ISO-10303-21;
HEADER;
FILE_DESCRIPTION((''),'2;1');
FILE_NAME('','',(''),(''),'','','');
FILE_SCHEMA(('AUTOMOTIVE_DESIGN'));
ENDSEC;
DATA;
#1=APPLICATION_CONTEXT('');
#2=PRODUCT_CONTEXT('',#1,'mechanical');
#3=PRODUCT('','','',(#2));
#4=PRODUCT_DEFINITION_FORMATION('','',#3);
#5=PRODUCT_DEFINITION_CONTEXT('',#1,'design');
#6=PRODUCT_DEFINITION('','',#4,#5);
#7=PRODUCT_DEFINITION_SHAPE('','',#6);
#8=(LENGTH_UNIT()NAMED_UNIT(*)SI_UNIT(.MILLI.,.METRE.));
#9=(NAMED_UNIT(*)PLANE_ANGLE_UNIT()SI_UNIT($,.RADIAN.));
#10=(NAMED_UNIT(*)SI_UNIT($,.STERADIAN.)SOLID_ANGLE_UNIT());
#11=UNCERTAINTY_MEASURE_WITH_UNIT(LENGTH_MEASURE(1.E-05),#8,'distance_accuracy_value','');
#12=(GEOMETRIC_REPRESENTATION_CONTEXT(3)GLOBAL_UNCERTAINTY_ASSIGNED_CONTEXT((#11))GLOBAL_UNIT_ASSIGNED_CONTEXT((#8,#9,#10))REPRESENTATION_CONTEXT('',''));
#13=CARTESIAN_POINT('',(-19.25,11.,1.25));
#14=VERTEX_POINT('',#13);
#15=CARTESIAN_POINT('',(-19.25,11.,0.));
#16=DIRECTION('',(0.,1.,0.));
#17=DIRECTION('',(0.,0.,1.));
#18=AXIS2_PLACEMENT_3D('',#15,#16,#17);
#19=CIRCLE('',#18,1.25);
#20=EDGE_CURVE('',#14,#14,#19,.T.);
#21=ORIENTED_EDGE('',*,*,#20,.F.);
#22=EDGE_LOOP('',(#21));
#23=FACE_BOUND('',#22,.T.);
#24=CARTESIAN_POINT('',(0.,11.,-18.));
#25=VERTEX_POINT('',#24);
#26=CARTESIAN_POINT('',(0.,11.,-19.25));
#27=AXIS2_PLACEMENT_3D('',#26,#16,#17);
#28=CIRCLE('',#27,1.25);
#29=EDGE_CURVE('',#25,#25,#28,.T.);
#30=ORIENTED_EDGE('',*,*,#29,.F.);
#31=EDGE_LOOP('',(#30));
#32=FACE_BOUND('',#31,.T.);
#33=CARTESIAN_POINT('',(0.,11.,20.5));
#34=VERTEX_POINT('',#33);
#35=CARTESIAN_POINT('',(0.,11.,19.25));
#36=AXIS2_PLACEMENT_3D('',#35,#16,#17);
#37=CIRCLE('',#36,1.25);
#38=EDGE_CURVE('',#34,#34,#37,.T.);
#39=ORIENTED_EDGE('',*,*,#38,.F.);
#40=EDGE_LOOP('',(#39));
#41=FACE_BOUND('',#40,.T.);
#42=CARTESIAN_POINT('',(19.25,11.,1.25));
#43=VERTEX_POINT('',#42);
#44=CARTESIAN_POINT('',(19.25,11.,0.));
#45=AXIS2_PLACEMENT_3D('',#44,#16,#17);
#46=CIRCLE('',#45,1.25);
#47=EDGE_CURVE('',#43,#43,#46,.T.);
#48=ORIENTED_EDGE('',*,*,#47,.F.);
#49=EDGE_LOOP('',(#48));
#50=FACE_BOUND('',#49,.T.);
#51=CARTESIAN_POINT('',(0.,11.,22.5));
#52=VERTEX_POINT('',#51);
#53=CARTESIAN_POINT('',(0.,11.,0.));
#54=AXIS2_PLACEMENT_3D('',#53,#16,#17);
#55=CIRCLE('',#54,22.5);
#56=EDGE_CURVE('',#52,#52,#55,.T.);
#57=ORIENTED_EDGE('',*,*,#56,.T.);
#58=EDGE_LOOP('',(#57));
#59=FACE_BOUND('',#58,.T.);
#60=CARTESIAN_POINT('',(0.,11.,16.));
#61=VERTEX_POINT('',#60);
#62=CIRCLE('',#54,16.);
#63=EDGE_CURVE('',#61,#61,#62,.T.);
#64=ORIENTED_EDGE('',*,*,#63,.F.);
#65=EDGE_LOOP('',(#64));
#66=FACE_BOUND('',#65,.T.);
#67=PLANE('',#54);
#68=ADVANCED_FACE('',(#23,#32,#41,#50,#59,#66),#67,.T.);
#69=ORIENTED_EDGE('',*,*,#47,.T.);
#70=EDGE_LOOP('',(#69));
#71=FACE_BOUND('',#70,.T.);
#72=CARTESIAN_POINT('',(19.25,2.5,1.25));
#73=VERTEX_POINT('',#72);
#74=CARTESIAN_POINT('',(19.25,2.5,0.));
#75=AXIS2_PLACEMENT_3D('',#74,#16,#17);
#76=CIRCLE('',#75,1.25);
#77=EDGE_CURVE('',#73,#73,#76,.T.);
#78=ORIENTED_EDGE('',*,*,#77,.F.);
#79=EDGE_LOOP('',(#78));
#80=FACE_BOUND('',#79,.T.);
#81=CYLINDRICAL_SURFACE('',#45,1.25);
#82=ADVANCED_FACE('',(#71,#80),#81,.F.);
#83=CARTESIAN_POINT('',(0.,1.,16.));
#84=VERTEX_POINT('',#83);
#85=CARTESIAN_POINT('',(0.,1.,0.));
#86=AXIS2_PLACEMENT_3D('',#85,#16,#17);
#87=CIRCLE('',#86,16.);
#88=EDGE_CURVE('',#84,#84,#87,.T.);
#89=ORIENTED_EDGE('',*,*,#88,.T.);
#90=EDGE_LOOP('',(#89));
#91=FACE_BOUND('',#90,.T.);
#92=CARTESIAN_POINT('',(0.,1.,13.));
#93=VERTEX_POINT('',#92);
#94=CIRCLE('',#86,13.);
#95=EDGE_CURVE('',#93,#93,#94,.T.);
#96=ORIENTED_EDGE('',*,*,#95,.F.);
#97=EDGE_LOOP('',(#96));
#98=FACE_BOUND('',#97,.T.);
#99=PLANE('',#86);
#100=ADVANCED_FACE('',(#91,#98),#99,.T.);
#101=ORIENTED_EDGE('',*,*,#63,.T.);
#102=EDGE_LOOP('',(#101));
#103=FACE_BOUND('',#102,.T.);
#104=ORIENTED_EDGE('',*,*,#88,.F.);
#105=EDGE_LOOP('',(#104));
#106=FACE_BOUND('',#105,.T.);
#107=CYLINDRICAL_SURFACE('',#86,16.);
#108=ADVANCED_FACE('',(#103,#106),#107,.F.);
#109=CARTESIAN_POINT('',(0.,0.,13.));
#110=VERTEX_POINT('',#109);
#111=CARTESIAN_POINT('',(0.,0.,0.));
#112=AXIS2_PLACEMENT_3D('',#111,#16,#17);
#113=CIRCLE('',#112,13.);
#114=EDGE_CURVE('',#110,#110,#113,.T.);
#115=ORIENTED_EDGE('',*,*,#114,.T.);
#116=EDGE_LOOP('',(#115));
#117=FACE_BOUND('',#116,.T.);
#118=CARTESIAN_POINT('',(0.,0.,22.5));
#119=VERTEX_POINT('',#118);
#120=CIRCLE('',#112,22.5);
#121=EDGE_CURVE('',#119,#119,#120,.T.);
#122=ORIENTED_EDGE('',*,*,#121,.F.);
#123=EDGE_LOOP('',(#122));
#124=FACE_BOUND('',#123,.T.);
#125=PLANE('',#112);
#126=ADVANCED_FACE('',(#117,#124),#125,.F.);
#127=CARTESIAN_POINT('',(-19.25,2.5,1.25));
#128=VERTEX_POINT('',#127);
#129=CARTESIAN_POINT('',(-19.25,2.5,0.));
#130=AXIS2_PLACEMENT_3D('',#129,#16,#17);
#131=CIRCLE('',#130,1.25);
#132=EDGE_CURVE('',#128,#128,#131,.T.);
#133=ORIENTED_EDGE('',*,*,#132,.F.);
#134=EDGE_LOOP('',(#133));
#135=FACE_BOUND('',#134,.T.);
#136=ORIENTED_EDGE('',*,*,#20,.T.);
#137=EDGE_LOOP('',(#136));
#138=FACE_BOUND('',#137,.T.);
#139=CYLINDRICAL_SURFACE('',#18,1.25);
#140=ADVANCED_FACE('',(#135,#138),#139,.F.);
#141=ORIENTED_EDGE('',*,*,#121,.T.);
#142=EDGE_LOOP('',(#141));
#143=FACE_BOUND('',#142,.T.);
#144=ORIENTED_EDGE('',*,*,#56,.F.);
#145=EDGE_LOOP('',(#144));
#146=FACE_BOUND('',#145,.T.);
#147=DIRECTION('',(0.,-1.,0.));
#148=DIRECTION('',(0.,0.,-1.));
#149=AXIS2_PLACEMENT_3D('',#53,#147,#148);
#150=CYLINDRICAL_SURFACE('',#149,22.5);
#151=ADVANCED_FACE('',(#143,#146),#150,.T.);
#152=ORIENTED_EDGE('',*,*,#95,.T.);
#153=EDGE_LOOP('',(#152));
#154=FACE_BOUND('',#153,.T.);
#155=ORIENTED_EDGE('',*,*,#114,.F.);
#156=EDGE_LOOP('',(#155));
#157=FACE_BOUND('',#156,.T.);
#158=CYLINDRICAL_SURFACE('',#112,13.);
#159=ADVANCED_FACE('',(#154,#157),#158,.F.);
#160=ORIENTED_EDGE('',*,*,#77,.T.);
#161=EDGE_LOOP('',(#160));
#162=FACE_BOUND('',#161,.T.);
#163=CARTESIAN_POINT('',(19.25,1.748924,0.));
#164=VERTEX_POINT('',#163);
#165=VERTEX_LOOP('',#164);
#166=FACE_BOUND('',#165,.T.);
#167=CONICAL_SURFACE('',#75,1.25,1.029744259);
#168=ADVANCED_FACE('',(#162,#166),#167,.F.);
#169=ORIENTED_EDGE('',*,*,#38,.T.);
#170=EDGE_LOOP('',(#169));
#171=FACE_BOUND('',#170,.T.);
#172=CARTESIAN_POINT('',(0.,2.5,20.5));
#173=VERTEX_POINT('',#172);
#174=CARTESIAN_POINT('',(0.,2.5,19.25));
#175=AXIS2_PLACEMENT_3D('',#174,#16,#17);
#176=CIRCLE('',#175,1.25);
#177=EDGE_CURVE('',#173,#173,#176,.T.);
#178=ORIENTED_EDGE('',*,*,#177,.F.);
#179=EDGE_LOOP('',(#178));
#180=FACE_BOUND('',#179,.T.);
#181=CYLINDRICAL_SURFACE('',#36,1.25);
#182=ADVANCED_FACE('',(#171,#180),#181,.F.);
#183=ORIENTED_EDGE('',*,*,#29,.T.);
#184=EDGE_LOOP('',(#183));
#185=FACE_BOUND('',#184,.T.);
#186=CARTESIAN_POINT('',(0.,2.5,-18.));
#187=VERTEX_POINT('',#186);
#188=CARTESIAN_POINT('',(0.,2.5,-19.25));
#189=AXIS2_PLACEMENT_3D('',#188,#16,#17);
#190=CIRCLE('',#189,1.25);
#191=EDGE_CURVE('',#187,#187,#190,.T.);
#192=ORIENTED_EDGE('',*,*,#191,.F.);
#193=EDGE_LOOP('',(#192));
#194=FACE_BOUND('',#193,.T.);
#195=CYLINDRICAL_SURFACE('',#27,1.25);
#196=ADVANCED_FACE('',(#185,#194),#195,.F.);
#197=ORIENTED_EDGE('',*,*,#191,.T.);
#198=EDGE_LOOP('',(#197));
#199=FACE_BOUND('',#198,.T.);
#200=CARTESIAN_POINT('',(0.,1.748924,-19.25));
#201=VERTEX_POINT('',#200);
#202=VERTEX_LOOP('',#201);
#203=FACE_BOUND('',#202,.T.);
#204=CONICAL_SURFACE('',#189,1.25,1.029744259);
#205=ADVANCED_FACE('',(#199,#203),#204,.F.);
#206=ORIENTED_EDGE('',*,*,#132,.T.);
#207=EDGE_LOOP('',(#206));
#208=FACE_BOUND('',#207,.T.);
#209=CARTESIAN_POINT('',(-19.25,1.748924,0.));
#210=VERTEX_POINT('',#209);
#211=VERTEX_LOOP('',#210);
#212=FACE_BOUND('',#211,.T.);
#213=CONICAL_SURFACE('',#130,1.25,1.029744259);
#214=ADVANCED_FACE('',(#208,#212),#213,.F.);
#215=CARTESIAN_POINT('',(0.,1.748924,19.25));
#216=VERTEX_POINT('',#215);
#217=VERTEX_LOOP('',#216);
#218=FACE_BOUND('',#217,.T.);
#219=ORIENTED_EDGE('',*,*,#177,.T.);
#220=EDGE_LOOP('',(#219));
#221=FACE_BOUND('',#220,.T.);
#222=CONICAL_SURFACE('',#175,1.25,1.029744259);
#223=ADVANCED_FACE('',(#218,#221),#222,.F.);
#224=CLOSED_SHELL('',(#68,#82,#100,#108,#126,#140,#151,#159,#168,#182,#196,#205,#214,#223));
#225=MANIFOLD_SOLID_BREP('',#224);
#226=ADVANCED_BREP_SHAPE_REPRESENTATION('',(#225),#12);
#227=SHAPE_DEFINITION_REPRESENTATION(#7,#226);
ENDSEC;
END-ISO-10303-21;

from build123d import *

# Parameters (mm, degrees)
SKETCH_1_R          = 22.5
EXTRUDE_1_DEPTH     = 11
SKETCH_2_R          = 16
CUT_EXTRUDE_1_DEPTH = 10
SKETCH_3_R          = 13
CUT_EXTRUDE_2_DEPTH = 34.35416016
M3X0_51_D           = 2.5
M3X0_51_DEPTH       = 8.5
M3X0_51_TIP         = 0.751075774


with BuildPart() as part:
    # Эскиз1 → Бобышка-Вытянуть1 (new body)
    with BuildSketch(Plane(origin=(0, 0, 0), x_dir=(1, 0, 0), z_dir=(0, 1, 0))):
        with Locations(Location((0, 0, 0), (0, 0, 270))):
            Circle(SKETCH_1_R)
    extrude(amount=EXTRUDE_1_DEPTH)

    # Эскиз2 → Вырез-Вытянуть1 (cut)
    with BuildSketch(Plane(origin=(0, 11, 0), x_dir=(1, 0, 0), z_dir=(0, 1, 0))):
        with Locations(Location((0, 0, 0), (0, 0, 270))):
            Circle(SKETCH_2_R)
    extrude(amount=-CUT_EXTRUDE_1_DEPTH, mode=Mode.SUBTRACT)

    # Эскиз3 → Вырез-Вытянуть2 (cut, through all)
    with BuildSketch(Plane(origin=(0, 1, 0), x_dir=(1, 0, 0), z_dir=(0, 1, 0))):
        with Locations(Location((0, 0, 0), (0, 0, 270))):
            Circle(SKETCH_3_R)
    extrude(amount=-CUT_EXTRUDE_2_DEPTH, mode=Mode.SUBTRACT)

    # Отверстие обработанное метчиком M3x0.51
    with Locations(Plane(origin=(0, 11, 0), x_dir=(1, 0, 0), z_dir=(0, 1, 0))):
        with Locations((-19.25, 0), (0, -19.25), (19.25, 0), (0, 19.25)):
            Hole(M3X0_51_D / 2, depth=M3X0_51_DEPTH)
            with Locations((0, 0, -(M3X0_51_DEPTH + M3X0_51_TIP / 2))):  # 118° drill point
                Cone(0, M3X0_51_D / 2, M3X0_51_TIP, mode=Mode.SUBTRACT)


solid = part.part
